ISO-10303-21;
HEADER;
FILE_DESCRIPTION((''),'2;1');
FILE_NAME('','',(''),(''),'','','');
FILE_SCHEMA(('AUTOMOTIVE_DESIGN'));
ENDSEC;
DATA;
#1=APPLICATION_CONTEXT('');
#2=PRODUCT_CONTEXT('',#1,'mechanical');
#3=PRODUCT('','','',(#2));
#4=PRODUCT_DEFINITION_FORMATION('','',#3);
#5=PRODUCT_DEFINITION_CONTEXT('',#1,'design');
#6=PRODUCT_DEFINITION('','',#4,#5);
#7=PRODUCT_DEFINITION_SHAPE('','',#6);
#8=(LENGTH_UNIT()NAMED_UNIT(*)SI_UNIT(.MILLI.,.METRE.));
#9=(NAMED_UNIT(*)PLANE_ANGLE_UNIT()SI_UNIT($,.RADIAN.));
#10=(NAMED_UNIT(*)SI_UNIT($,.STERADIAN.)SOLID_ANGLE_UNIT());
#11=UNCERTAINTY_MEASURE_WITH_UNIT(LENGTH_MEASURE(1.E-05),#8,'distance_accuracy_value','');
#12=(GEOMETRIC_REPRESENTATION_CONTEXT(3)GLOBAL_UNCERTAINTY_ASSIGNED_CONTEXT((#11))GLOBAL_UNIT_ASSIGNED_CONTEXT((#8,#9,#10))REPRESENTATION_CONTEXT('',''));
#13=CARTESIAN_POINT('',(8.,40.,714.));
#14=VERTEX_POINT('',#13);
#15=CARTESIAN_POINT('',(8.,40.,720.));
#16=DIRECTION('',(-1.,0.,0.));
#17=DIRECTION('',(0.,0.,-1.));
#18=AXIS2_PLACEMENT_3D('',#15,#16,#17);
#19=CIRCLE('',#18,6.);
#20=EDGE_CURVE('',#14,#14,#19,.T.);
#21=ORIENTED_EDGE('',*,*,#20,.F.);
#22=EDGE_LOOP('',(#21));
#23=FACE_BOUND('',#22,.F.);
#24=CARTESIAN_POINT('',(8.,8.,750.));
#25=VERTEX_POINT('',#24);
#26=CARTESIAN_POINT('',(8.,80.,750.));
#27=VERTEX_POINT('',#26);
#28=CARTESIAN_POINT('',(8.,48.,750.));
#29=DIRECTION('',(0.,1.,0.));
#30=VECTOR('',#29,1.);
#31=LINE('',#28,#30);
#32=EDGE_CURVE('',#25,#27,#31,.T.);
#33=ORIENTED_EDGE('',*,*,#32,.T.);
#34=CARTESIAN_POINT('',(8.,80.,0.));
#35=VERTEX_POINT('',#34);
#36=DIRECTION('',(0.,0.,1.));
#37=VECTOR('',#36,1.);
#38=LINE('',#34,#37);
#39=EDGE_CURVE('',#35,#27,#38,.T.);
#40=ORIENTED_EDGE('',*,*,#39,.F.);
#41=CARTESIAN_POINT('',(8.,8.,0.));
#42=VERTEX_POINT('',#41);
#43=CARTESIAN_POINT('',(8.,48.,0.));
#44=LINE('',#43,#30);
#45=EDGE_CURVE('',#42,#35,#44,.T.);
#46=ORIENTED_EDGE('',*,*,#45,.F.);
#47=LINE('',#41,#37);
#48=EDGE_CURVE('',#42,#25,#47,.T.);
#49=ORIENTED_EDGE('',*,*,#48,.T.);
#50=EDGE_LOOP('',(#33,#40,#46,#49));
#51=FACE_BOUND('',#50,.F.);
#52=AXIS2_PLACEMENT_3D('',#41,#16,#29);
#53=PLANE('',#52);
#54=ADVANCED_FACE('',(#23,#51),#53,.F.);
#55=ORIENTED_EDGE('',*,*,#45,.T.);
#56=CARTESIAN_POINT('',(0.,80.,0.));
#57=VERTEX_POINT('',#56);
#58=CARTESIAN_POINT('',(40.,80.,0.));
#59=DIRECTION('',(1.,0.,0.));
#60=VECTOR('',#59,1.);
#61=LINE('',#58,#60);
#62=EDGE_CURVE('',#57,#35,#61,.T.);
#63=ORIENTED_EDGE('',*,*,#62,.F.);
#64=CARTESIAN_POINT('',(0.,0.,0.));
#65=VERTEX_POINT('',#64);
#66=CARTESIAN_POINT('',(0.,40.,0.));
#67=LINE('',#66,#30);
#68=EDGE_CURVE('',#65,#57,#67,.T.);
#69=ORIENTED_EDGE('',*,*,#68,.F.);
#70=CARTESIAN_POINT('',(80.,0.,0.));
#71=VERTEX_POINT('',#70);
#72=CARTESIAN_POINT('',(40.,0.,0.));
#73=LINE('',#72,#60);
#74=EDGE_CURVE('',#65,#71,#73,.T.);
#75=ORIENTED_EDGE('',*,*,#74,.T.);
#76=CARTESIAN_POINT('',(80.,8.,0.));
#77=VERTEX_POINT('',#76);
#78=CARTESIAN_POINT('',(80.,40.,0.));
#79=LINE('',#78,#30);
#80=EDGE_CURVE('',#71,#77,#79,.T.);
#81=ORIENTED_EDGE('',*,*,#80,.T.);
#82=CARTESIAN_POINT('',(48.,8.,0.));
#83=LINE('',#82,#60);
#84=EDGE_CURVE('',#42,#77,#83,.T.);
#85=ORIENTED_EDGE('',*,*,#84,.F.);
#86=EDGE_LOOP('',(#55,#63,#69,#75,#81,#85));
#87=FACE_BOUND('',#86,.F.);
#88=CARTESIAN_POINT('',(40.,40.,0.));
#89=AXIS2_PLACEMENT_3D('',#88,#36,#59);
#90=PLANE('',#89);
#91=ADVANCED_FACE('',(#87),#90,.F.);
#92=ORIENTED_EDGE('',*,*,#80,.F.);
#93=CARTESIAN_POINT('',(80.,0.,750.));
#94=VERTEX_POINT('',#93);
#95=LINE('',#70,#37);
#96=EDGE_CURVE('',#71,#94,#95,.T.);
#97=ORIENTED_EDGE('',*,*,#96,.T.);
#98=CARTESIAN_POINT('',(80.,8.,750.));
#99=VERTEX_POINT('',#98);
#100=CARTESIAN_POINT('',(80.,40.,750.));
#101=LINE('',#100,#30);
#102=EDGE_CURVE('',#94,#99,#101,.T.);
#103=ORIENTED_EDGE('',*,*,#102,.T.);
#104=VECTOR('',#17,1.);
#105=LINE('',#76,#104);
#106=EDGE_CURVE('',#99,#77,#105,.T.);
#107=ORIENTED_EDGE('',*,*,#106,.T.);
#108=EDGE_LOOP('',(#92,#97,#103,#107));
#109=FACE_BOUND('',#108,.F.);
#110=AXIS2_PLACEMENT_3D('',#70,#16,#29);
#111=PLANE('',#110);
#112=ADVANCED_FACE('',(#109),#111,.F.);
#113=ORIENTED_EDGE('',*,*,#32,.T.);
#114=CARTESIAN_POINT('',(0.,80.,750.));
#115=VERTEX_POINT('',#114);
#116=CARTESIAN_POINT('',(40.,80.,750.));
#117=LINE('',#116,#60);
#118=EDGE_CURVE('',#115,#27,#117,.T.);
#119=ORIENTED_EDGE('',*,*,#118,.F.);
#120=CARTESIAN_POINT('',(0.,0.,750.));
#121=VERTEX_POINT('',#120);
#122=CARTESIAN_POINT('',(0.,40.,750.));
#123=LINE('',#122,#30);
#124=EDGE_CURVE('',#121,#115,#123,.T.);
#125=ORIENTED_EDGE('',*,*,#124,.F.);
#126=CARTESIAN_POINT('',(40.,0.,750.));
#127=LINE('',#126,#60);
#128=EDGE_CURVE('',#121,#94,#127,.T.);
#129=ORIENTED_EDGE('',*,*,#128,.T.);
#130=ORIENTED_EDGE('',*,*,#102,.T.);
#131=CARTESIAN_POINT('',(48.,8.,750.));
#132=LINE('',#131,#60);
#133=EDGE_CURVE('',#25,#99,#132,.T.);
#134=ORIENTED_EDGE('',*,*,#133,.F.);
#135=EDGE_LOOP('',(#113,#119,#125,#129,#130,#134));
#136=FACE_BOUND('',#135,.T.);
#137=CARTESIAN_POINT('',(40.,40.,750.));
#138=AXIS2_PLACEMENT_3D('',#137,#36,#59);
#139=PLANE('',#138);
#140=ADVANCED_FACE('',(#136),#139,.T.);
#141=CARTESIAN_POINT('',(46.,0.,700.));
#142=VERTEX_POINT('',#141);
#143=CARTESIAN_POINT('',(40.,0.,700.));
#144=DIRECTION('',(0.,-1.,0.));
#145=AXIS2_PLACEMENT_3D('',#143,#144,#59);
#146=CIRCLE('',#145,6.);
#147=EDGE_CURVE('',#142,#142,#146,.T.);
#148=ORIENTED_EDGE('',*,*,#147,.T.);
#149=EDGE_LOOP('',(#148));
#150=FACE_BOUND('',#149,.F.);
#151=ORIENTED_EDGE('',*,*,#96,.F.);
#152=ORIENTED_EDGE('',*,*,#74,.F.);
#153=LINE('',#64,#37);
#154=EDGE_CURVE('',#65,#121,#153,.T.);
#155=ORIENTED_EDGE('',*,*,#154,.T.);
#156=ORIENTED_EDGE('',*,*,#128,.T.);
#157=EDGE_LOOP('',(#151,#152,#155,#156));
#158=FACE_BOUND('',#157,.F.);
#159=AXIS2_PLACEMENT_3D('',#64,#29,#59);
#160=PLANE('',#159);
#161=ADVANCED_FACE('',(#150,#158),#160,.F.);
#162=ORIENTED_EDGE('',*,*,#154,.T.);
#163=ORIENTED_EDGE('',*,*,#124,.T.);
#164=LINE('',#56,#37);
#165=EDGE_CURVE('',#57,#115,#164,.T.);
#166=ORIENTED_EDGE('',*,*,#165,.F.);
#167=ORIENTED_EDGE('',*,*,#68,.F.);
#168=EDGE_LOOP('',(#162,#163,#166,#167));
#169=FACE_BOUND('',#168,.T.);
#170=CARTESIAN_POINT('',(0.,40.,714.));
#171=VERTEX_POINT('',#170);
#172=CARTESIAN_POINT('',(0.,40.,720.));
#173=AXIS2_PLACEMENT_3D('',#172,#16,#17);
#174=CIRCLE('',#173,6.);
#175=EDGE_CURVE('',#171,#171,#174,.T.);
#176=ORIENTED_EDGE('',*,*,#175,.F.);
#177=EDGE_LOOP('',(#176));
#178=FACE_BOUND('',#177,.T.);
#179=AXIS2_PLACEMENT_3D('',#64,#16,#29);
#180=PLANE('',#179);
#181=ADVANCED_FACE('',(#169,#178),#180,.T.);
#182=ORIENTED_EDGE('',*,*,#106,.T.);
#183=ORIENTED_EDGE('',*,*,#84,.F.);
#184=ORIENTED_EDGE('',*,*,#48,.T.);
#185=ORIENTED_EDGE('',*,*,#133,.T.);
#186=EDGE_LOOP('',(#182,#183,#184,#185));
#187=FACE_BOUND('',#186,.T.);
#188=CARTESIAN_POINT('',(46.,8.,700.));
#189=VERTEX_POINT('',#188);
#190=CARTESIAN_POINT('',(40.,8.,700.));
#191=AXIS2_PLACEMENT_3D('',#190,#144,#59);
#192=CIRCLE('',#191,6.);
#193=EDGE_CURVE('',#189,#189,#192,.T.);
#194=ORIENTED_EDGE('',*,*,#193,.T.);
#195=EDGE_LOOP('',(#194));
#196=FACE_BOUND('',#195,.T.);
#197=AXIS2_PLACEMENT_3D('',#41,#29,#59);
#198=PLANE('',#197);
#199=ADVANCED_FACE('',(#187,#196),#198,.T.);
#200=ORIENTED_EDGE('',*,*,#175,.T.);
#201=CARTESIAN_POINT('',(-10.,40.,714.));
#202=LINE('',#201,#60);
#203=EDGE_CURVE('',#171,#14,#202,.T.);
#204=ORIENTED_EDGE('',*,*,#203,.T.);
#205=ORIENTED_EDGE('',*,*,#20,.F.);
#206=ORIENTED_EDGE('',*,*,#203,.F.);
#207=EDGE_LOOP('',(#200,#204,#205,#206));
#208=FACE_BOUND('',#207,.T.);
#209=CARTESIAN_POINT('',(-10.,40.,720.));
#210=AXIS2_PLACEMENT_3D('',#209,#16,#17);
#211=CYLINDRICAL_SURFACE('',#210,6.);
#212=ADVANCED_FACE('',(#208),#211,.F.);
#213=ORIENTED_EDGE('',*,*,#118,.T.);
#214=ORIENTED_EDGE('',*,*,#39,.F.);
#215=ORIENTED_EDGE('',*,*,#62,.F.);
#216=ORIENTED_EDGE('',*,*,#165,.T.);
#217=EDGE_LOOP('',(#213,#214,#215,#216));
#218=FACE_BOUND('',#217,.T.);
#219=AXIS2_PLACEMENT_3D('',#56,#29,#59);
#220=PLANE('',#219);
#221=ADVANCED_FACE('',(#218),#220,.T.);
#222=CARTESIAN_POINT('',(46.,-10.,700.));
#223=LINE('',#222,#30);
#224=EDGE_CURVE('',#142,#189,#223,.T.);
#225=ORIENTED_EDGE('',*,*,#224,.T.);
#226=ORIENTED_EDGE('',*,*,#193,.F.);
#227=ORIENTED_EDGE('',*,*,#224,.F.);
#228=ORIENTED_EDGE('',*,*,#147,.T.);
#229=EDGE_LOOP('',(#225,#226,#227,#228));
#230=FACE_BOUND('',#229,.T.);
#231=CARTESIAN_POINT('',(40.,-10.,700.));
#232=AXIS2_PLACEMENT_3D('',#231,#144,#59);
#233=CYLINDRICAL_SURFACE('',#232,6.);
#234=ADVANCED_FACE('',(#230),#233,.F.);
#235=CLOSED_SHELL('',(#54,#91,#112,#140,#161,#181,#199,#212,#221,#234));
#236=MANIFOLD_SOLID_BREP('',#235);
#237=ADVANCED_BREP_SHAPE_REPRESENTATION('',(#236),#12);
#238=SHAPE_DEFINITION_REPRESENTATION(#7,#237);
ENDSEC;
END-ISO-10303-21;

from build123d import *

# Parameters (mm, degrees)
CYLINDER002_R     = 6
CYLINDER002_DEPTH = 900
CYLINDER_R        = 6
CYLINDER_DEPTH    = 1300
BOX001_W          = 80
BOX001_H          = 80
BOX001_DEPTH      = 750
BOX_W             = 80
BOX_H             = 80
BOX_DEPTH         = 750


with BuildPart() as cylinder002:
    # Cylinder002 → Cylinder002 (new body)
    with BuildSketch(Plane(origin=(40, -10, 700), x_dir=(1, 0, 0), z_dir=(0, 1, 0))):
        Circle(CYLINDER002_R)
    extrude(amount=CYLINDER002_DEPTH)


with BuildPart() as cylinder:
    # Cylinder → Cylinder (new body)
    with BuildSketch(Plane(origin=(-10, 40, 720), x_dir=(0, 0, -1), z_dir=(1, 0, 0))):
        Circle(CYLINDER_R)
    extrude(amount=CYLINDER_DEPTH)


with BuildPart() as cube001:
    # Box001 → Box001 (new body)
    with BuildSketch(Plane(origin=(8, 8, 0), x_dir=(1, 0, 0), z_dir=(0, 0, 1))):
        with Locations((40, 40)):
            Rectangle(BOX001_W, BOX001_H)
    extrude(amount=BOX001_DEPTH)


with BuildPart() as cut006:
    # Box → Box (new body)
    with BuildSketch(Plane.XY):
        with Locations((40, 40)):
            Rectangle(BOX_W, BOX_H)
    extrude(amount=BOX_DEPTH)

    # Cut: cut Cube001
    add(cube001.part, mode=Mode.SUBTRACT)

    # Cut004: cut Cylinder
    add(cylinder.part, mode=Mode.SUBTRACT)

    # Cut006: cut Cylinder002
    add(cylinder002.part, mode=Mode.SUBTRACT)


solid = cut006.part
